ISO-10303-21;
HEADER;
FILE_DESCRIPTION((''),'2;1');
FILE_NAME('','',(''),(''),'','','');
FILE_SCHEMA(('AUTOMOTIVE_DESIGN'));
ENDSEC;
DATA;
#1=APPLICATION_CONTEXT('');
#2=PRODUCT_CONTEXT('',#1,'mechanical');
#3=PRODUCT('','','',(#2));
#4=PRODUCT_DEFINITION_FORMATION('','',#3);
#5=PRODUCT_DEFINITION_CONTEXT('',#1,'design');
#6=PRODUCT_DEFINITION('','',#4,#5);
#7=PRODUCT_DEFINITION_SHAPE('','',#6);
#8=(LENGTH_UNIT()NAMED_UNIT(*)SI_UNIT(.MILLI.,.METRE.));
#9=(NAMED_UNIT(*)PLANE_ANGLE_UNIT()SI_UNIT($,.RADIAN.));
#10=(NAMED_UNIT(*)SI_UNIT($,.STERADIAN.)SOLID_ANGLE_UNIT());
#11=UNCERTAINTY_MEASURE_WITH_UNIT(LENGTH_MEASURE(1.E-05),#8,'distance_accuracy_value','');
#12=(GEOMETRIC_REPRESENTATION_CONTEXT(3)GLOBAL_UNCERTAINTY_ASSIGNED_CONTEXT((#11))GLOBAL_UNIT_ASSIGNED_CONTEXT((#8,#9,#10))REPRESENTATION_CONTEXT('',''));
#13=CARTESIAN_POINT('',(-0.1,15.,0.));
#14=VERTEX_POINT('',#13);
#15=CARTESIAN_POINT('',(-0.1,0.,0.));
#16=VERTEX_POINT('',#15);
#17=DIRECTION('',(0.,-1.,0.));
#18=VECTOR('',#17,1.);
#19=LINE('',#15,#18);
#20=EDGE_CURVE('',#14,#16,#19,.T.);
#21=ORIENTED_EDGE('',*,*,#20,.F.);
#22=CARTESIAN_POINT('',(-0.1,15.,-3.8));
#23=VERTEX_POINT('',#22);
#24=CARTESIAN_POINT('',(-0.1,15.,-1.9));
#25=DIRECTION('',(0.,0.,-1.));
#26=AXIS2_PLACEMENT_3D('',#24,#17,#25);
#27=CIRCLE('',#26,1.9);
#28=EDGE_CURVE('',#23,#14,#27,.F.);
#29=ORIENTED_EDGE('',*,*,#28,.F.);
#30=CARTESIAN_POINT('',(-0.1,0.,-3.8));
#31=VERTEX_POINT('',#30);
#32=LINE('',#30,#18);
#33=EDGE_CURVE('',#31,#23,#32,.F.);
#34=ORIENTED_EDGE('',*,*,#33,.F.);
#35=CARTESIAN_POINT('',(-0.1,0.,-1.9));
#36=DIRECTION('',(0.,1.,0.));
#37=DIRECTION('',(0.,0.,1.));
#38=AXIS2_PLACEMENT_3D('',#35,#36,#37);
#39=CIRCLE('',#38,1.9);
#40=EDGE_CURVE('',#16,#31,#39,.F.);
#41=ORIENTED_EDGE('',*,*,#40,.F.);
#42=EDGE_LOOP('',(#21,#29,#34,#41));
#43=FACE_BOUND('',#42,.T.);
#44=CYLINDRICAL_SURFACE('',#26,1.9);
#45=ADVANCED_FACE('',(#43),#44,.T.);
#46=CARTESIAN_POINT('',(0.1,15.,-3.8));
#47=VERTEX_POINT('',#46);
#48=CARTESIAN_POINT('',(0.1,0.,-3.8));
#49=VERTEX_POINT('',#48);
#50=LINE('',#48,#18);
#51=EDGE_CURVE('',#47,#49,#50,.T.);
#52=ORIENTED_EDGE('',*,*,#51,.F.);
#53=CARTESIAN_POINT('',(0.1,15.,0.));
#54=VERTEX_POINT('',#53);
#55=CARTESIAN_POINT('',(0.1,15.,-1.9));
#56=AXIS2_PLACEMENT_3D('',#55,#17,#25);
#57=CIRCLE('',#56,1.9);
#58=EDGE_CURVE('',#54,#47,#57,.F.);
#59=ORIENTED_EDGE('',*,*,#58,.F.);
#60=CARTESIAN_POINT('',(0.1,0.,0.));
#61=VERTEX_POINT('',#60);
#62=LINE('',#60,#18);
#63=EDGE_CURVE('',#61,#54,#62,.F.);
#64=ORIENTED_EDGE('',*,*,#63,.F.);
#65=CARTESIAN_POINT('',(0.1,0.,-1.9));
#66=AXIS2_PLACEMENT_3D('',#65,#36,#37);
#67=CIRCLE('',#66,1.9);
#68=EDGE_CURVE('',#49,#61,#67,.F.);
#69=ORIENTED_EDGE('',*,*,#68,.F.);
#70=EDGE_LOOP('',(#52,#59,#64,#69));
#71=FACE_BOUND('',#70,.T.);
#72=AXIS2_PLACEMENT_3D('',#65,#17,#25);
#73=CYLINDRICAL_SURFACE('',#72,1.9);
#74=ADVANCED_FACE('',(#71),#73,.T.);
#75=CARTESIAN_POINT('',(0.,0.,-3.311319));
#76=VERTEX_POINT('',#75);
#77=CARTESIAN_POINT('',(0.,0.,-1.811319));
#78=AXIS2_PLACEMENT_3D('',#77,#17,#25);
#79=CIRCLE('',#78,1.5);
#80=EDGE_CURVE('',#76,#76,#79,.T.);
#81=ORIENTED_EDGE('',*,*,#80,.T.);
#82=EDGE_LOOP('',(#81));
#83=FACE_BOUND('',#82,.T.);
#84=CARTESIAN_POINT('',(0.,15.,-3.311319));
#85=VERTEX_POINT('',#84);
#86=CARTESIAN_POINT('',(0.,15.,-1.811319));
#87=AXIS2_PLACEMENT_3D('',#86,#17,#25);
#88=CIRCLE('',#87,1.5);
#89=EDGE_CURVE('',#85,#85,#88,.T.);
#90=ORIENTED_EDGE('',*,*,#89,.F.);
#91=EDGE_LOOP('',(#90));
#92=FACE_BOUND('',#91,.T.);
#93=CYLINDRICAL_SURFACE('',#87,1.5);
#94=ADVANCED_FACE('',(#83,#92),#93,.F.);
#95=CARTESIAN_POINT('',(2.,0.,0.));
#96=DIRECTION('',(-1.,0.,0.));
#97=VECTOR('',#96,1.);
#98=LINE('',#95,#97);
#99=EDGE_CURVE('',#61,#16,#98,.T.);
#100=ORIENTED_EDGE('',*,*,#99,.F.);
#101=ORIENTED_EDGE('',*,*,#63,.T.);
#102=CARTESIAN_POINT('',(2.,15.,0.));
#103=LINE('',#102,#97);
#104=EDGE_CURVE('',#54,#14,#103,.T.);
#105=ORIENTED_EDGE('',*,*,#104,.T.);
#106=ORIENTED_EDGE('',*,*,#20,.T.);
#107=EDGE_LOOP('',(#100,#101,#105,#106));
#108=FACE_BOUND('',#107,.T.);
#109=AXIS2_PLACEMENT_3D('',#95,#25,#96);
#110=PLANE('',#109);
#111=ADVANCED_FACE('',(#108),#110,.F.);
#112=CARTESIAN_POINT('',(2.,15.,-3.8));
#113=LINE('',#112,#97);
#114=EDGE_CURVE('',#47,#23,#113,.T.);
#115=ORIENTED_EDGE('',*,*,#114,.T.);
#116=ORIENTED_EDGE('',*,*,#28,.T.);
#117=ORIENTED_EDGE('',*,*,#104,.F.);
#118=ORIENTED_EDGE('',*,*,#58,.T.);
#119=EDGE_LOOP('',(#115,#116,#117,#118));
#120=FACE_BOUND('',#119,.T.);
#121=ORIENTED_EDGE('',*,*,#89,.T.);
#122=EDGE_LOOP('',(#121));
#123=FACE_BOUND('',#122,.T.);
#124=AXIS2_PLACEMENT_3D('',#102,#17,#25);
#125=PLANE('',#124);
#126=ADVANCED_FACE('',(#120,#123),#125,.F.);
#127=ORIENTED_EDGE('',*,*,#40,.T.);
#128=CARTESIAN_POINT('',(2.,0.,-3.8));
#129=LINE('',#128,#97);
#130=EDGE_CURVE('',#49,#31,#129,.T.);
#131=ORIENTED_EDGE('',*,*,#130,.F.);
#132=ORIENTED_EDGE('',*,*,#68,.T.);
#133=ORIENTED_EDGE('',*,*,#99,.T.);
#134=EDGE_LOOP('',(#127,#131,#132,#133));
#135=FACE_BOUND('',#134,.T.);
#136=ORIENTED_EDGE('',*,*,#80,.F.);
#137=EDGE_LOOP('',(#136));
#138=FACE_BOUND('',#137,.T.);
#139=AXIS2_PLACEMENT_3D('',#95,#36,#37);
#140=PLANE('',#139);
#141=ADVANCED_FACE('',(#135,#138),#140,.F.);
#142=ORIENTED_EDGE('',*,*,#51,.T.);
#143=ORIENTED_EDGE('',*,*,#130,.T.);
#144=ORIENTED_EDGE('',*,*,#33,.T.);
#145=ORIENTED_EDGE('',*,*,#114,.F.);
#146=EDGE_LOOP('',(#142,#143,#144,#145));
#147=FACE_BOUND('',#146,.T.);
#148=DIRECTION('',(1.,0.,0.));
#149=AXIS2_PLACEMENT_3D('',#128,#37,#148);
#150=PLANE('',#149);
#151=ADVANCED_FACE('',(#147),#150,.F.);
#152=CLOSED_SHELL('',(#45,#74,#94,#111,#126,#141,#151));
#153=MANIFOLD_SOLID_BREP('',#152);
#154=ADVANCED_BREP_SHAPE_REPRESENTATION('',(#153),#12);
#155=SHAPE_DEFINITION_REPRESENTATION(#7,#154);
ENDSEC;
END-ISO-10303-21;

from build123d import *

# Parameters (mm, degrees)
SKETCH1_W                   = 3.8
SKETCH1_H                   = 15
BOSS_EXTRUDE1_DEPTH         = 2
FILLET1_RADIUS              = 1.9
FILLET1_LENGTH              = 15
FILLET1_OF_MIRROR1_2_RADIUS = 1.9
FILLET1_OF_MIRROR1_2_LENGTH = 15
SKETCH3_R                   = 1.5
CUT_EXTRUDE1_DEPTH          = 15


with BuildPart() as part:
    # Sketch1 → Boss-Extrude1 (new body)
    with BuildSketch(Plane(origin=(0, 0, 0), x_dir=(0, 0, -1), z_dir=(1, 0, 0))):
        with Locations((1.9, 7.5)):
            Rectangle(SKETCH1_W, SKETCH1_H)
    boss_extrude1 = extrude(amount=BOSS_EXTRUDE1_DEPTH)

    # Fillet1: full round fillet: the end face becomes a half cylinder, R = half its width
    fillet1_face = Plane((2, 7.5, -1.9), x_dir=(0, 1, 0), z_dir=(1, 0, 0))  # on the end face: x along it, z out of the body
    fillet1_slab = fillet1_face.offset(-FILLET1_RADIUS / 2) * Box(FILLET1_LENGTH, 2 * FILLET1_RADIUS, FILLET1_RADIUS, mode=Mode.PRIVATE)  # the body's end, R deep
    fillet1_round = Plane((0.1, 7.5, -1.9), x_dir=(1, 0, 0), z_dir=(0, 1, 0)) * Cylinder(FILLET1_RADIUS, FILLET1_LENGTH, mode=Mode.PRIVATE)  # its axis R under the face
    add(fillet1_slab - fillet1_round, mode=Mode.SUBTRACT)

    # Mirror1: Boss-Extrude1 across plane
    add(boss_extrude1.mirror(Plane.ZY))

    # Fillet1 of Mirror1 2: full round fillet: the end face becomes a half cylinder, R = half its width
    fillet1_of_mirror1_2_face = Plane((-2, 7.5, -1.9), x_dir=(0, 1, 0), z_dir=(-1, 0, 0))  # on the end face: x along it, z out of the body
    fillet1_of_mirror1_2_slab = fillet1_of_mirror1_2_face.offset(-FILLET1_OF_MIRROR1_2_RADIUS / 2) * Box(FILLET1_OF_MIRROR1_2_LENGTH, 2 * FILLET1_OF_MIRROR1_2_RADIUS, FILLET1_OF_MIRROR1_2_RADIUS, mode=Mode.PRIVATE)  # the body's end, R deep
    fillet1_of_mirror1_2_round = Plane((-0.1, 7.5, -1.9), x_dir=(-1, 0, 0), z_dir=(0, 1, 0)) * Cylinder(FILLET1_OF_MIRROR1_2_RADIUS, FILLET1_OF_MIRROR1_2_LENGTH, mode=Mode.PRIVATE)  # its axis R under the face
    add(fillet1_of_mirror1_2_slab - fillet1_of_mirror1_2_round, mode=Mode.SUBTRACT)

    # Sketch3 → Cut-Extrude1 (cut)
    with BuildSketch(Plane.XZ):
        with Locations(Location((0, -1.811318553, 0), (0, 0, 270))):
            Circle(SKETCH3_R)
    extrude(amount=-CUT_EXTRUDE1_DEPTH, mode=Mode.SUBTRACT)


solid = part.part
